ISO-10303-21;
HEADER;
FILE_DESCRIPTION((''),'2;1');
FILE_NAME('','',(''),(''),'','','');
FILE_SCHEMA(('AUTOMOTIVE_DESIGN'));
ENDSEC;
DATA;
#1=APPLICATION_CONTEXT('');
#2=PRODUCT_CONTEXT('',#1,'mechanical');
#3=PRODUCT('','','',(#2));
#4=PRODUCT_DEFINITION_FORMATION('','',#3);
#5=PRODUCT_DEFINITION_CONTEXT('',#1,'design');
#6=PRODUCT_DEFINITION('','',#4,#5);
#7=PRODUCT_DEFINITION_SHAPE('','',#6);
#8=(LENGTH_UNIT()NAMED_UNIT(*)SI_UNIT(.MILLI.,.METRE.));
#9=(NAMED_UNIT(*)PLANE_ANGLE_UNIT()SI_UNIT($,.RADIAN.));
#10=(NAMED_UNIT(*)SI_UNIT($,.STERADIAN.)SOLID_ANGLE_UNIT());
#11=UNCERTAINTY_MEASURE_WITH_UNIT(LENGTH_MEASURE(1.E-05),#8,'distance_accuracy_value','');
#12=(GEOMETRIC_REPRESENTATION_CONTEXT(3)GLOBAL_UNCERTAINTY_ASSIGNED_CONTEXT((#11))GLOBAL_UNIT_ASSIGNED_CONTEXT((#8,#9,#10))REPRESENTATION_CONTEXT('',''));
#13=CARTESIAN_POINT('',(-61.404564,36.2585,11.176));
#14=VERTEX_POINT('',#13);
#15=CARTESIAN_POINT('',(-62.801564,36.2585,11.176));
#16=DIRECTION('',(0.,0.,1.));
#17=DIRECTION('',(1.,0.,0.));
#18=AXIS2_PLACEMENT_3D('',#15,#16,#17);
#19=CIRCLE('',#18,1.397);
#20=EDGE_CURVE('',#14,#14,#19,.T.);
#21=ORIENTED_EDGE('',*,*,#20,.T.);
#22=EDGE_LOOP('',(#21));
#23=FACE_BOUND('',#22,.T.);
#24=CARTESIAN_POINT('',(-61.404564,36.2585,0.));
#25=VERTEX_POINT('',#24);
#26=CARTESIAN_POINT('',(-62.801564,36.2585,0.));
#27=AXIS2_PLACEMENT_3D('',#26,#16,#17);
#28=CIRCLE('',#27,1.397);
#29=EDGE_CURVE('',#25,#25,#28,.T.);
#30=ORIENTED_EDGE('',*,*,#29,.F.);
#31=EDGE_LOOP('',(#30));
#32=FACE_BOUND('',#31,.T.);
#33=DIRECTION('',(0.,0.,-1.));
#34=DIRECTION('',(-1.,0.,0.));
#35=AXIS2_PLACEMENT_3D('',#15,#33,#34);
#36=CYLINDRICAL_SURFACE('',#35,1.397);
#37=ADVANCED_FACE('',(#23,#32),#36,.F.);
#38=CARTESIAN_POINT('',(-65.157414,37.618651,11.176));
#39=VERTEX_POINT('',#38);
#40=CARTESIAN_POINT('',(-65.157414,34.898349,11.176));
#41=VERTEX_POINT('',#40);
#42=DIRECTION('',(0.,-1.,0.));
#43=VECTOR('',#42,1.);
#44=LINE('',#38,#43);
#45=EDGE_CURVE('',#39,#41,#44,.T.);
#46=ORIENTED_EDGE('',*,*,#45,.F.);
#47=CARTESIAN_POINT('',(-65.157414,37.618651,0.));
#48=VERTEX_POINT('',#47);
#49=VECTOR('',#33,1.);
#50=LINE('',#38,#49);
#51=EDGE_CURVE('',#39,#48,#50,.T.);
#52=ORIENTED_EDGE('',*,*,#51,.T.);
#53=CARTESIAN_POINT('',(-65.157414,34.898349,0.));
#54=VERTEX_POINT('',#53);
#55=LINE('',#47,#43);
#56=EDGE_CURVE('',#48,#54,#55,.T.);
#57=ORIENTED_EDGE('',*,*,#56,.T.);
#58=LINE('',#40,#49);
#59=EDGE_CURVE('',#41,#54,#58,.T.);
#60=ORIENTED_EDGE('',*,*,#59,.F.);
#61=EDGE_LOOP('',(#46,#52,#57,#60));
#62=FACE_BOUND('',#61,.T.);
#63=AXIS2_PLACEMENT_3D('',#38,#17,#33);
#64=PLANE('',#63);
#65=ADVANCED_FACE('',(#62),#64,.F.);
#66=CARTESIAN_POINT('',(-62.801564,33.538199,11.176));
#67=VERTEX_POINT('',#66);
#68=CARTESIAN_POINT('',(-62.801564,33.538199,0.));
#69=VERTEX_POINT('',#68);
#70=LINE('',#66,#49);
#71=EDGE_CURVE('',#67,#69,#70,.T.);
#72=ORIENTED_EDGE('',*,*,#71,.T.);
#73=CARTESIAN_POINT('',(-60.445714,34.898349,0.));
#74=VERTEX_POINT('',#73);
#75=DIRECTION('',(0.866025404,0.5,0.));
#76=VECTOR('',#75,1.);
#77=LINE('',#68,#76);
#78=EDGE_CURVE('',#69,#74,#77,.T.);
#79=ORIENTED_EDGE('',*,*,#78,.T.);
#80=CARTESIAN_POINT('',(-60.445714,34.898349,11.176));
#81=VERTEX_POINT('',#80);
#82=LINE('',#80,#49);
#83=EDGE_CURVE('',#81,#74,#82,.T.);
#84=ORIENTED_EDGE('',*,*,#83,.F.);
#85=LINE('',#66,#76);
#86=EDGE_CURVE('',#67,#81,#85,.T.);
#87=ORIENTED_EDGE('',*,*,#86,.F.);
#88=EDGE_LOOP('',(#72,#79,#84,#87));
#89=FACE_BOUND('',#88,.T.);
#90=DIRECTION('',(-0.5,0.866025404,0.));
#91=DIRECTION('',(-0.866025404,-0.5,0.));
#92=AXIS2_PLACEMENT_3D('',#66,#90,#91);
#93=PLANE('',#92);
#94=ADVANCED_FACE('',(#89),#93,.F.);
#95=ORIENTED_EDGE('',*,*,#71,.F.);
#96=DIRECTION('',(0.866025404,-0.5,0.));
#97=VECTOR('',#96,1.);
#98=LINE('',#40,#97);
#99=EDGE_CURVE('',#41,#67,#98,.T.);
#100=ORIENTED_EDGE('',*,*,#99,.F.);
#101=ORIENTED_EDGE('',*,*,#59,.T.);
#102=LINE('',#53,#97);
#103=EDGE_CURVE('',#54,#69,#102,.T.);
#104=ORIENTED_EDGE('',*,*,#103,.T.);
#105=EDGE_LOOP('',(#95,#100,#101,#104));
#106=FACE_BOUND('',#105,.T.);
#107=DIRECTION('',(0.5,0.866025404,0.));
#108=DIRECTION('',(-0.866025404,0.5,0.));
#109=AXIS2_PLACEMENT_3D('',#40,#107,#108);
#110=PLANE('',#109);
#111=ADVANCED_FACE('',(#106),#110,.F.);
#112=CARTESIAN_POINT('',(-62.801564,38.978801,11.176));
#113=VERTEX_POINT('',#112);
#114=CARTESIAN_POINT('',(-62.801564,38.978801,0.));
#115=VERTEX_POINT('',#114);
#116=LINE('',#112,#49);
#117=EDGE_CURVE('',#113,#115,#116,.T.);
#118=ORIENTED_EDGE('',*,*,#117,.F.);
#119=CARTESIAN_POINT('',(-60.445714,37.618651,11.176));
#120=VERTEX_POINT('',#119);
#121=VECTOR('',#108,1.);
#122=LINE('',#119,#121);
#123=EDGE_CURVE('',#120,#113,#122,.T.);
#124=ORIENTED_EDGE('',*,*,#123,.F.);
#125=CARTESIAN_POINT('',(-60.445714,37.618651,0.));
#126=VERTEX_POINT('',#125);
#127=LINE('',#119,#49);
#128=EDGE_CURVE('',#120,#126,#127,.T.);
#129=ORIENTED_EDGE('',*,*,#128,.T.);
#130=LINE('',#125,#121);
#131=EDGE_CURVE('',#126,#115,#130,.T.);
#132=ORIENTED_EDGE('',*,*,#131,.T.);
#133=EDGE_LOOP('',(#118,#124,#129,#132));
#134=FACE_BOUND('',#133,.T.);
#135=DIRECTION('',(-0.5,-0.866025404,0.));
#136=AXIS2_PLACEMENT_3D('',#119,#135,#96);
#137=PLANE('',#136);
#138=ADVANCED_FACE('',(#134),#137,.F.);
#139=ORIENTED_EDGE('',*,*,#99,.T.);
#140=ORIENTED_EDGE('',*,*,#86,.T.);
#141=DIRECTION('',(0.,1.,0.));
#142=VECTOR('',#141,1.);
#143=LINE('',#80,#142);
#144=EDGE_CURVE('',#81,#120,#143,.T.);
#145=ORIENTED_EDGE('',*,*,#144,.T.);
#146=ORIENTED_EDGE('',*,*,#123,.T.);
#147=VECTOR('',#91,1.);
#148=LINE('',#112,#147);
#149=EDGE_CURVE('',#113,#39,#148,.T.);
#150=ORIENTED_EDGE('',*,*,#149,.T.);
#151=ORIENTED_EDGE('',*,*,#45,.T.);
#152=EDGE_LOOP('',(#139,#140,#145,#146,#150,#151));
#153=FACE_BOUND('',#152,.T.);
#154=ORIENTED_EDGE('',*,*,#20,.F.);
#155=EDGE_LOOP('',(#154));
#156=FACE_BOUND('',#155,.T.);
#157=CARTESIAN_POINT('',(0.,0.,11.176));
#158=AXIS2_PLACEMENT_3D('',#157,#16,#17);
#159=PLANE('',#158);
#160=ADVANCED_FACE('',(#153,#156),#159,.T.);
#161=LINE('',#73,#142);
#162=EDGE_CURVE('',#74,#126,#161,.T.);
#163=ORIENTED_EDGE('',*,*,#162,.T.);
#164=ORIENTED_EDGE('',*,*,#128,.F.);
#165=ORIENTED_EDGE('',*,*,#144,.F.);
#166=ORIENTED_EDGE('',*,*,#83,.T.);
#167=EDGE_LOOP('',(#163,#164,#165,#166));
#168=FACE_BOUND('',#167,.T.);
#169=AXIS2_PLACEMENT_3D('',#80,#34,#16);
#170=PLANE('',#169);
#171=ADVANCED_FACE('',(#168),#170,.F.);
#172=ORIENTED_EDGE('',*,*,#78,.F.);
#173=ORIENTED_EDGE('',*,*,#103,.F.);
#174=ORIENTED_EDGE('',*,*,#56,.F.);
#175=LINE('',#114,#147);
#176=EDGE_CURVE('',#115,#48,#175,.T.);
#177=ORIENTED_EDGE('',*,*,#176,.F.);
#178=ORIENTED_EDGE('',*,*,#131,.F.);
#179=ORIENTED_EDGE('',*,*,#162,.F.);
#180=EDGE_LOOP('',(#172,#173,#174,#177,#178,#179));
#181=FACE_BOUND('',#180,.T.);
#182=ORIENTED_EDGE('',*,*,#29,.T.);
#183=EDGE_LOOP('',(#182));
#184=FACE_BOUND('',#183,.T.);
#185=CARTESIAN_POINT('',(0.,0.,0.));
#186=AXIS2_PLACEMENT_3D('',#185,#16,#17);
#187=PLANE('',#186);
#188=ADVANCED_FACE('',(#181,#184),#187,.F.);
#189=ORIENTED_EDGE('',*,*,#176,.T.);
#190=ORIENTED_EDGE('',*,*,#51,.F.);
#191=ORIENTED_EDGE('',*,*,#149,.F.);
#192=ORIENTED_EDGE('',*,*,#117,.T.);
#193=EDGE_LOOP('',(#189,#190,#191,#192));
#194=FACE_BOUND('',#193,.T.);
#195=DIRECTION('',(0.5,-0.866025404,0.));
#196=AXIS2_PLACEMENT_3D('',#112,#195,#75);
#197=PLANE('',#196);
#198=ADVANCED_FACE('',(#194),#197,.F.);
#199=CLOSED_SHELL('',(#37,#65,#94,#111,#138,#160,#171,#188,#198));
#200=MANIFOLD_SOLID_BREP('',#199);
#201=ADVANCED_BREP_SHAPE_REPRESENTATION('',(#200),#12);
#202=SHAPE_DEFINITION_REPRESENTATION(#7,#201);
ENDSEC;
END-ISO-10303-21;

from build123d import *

# Parameters (mm, degrees)
SKETCH1_R           = 1.397
BOSS_EXTRUDE1_DEPTH = 11.176


with BuildPart() as part:
    # Sketch1 → Boss-Extrude1 (new body)
    with BuildSketch(Plane.XY):
        Polygon((-62.801564206, 33.538198737), (-60.445714206, 34.898349368), (-60.445714206, 37.618650632), (-62.801564206, 38.978801263), (-65.157414206, 37.618650632), (-65.157414206, 34.898349368), align=None)
        with Locations((-62.801564206, 36.2585)):
            Circle(SKETCH1_R, mode=Mode.SUBTRACT)
    extrude(amount=BOSS_EXTRUDE1_DEPTH)


solid = part.part
